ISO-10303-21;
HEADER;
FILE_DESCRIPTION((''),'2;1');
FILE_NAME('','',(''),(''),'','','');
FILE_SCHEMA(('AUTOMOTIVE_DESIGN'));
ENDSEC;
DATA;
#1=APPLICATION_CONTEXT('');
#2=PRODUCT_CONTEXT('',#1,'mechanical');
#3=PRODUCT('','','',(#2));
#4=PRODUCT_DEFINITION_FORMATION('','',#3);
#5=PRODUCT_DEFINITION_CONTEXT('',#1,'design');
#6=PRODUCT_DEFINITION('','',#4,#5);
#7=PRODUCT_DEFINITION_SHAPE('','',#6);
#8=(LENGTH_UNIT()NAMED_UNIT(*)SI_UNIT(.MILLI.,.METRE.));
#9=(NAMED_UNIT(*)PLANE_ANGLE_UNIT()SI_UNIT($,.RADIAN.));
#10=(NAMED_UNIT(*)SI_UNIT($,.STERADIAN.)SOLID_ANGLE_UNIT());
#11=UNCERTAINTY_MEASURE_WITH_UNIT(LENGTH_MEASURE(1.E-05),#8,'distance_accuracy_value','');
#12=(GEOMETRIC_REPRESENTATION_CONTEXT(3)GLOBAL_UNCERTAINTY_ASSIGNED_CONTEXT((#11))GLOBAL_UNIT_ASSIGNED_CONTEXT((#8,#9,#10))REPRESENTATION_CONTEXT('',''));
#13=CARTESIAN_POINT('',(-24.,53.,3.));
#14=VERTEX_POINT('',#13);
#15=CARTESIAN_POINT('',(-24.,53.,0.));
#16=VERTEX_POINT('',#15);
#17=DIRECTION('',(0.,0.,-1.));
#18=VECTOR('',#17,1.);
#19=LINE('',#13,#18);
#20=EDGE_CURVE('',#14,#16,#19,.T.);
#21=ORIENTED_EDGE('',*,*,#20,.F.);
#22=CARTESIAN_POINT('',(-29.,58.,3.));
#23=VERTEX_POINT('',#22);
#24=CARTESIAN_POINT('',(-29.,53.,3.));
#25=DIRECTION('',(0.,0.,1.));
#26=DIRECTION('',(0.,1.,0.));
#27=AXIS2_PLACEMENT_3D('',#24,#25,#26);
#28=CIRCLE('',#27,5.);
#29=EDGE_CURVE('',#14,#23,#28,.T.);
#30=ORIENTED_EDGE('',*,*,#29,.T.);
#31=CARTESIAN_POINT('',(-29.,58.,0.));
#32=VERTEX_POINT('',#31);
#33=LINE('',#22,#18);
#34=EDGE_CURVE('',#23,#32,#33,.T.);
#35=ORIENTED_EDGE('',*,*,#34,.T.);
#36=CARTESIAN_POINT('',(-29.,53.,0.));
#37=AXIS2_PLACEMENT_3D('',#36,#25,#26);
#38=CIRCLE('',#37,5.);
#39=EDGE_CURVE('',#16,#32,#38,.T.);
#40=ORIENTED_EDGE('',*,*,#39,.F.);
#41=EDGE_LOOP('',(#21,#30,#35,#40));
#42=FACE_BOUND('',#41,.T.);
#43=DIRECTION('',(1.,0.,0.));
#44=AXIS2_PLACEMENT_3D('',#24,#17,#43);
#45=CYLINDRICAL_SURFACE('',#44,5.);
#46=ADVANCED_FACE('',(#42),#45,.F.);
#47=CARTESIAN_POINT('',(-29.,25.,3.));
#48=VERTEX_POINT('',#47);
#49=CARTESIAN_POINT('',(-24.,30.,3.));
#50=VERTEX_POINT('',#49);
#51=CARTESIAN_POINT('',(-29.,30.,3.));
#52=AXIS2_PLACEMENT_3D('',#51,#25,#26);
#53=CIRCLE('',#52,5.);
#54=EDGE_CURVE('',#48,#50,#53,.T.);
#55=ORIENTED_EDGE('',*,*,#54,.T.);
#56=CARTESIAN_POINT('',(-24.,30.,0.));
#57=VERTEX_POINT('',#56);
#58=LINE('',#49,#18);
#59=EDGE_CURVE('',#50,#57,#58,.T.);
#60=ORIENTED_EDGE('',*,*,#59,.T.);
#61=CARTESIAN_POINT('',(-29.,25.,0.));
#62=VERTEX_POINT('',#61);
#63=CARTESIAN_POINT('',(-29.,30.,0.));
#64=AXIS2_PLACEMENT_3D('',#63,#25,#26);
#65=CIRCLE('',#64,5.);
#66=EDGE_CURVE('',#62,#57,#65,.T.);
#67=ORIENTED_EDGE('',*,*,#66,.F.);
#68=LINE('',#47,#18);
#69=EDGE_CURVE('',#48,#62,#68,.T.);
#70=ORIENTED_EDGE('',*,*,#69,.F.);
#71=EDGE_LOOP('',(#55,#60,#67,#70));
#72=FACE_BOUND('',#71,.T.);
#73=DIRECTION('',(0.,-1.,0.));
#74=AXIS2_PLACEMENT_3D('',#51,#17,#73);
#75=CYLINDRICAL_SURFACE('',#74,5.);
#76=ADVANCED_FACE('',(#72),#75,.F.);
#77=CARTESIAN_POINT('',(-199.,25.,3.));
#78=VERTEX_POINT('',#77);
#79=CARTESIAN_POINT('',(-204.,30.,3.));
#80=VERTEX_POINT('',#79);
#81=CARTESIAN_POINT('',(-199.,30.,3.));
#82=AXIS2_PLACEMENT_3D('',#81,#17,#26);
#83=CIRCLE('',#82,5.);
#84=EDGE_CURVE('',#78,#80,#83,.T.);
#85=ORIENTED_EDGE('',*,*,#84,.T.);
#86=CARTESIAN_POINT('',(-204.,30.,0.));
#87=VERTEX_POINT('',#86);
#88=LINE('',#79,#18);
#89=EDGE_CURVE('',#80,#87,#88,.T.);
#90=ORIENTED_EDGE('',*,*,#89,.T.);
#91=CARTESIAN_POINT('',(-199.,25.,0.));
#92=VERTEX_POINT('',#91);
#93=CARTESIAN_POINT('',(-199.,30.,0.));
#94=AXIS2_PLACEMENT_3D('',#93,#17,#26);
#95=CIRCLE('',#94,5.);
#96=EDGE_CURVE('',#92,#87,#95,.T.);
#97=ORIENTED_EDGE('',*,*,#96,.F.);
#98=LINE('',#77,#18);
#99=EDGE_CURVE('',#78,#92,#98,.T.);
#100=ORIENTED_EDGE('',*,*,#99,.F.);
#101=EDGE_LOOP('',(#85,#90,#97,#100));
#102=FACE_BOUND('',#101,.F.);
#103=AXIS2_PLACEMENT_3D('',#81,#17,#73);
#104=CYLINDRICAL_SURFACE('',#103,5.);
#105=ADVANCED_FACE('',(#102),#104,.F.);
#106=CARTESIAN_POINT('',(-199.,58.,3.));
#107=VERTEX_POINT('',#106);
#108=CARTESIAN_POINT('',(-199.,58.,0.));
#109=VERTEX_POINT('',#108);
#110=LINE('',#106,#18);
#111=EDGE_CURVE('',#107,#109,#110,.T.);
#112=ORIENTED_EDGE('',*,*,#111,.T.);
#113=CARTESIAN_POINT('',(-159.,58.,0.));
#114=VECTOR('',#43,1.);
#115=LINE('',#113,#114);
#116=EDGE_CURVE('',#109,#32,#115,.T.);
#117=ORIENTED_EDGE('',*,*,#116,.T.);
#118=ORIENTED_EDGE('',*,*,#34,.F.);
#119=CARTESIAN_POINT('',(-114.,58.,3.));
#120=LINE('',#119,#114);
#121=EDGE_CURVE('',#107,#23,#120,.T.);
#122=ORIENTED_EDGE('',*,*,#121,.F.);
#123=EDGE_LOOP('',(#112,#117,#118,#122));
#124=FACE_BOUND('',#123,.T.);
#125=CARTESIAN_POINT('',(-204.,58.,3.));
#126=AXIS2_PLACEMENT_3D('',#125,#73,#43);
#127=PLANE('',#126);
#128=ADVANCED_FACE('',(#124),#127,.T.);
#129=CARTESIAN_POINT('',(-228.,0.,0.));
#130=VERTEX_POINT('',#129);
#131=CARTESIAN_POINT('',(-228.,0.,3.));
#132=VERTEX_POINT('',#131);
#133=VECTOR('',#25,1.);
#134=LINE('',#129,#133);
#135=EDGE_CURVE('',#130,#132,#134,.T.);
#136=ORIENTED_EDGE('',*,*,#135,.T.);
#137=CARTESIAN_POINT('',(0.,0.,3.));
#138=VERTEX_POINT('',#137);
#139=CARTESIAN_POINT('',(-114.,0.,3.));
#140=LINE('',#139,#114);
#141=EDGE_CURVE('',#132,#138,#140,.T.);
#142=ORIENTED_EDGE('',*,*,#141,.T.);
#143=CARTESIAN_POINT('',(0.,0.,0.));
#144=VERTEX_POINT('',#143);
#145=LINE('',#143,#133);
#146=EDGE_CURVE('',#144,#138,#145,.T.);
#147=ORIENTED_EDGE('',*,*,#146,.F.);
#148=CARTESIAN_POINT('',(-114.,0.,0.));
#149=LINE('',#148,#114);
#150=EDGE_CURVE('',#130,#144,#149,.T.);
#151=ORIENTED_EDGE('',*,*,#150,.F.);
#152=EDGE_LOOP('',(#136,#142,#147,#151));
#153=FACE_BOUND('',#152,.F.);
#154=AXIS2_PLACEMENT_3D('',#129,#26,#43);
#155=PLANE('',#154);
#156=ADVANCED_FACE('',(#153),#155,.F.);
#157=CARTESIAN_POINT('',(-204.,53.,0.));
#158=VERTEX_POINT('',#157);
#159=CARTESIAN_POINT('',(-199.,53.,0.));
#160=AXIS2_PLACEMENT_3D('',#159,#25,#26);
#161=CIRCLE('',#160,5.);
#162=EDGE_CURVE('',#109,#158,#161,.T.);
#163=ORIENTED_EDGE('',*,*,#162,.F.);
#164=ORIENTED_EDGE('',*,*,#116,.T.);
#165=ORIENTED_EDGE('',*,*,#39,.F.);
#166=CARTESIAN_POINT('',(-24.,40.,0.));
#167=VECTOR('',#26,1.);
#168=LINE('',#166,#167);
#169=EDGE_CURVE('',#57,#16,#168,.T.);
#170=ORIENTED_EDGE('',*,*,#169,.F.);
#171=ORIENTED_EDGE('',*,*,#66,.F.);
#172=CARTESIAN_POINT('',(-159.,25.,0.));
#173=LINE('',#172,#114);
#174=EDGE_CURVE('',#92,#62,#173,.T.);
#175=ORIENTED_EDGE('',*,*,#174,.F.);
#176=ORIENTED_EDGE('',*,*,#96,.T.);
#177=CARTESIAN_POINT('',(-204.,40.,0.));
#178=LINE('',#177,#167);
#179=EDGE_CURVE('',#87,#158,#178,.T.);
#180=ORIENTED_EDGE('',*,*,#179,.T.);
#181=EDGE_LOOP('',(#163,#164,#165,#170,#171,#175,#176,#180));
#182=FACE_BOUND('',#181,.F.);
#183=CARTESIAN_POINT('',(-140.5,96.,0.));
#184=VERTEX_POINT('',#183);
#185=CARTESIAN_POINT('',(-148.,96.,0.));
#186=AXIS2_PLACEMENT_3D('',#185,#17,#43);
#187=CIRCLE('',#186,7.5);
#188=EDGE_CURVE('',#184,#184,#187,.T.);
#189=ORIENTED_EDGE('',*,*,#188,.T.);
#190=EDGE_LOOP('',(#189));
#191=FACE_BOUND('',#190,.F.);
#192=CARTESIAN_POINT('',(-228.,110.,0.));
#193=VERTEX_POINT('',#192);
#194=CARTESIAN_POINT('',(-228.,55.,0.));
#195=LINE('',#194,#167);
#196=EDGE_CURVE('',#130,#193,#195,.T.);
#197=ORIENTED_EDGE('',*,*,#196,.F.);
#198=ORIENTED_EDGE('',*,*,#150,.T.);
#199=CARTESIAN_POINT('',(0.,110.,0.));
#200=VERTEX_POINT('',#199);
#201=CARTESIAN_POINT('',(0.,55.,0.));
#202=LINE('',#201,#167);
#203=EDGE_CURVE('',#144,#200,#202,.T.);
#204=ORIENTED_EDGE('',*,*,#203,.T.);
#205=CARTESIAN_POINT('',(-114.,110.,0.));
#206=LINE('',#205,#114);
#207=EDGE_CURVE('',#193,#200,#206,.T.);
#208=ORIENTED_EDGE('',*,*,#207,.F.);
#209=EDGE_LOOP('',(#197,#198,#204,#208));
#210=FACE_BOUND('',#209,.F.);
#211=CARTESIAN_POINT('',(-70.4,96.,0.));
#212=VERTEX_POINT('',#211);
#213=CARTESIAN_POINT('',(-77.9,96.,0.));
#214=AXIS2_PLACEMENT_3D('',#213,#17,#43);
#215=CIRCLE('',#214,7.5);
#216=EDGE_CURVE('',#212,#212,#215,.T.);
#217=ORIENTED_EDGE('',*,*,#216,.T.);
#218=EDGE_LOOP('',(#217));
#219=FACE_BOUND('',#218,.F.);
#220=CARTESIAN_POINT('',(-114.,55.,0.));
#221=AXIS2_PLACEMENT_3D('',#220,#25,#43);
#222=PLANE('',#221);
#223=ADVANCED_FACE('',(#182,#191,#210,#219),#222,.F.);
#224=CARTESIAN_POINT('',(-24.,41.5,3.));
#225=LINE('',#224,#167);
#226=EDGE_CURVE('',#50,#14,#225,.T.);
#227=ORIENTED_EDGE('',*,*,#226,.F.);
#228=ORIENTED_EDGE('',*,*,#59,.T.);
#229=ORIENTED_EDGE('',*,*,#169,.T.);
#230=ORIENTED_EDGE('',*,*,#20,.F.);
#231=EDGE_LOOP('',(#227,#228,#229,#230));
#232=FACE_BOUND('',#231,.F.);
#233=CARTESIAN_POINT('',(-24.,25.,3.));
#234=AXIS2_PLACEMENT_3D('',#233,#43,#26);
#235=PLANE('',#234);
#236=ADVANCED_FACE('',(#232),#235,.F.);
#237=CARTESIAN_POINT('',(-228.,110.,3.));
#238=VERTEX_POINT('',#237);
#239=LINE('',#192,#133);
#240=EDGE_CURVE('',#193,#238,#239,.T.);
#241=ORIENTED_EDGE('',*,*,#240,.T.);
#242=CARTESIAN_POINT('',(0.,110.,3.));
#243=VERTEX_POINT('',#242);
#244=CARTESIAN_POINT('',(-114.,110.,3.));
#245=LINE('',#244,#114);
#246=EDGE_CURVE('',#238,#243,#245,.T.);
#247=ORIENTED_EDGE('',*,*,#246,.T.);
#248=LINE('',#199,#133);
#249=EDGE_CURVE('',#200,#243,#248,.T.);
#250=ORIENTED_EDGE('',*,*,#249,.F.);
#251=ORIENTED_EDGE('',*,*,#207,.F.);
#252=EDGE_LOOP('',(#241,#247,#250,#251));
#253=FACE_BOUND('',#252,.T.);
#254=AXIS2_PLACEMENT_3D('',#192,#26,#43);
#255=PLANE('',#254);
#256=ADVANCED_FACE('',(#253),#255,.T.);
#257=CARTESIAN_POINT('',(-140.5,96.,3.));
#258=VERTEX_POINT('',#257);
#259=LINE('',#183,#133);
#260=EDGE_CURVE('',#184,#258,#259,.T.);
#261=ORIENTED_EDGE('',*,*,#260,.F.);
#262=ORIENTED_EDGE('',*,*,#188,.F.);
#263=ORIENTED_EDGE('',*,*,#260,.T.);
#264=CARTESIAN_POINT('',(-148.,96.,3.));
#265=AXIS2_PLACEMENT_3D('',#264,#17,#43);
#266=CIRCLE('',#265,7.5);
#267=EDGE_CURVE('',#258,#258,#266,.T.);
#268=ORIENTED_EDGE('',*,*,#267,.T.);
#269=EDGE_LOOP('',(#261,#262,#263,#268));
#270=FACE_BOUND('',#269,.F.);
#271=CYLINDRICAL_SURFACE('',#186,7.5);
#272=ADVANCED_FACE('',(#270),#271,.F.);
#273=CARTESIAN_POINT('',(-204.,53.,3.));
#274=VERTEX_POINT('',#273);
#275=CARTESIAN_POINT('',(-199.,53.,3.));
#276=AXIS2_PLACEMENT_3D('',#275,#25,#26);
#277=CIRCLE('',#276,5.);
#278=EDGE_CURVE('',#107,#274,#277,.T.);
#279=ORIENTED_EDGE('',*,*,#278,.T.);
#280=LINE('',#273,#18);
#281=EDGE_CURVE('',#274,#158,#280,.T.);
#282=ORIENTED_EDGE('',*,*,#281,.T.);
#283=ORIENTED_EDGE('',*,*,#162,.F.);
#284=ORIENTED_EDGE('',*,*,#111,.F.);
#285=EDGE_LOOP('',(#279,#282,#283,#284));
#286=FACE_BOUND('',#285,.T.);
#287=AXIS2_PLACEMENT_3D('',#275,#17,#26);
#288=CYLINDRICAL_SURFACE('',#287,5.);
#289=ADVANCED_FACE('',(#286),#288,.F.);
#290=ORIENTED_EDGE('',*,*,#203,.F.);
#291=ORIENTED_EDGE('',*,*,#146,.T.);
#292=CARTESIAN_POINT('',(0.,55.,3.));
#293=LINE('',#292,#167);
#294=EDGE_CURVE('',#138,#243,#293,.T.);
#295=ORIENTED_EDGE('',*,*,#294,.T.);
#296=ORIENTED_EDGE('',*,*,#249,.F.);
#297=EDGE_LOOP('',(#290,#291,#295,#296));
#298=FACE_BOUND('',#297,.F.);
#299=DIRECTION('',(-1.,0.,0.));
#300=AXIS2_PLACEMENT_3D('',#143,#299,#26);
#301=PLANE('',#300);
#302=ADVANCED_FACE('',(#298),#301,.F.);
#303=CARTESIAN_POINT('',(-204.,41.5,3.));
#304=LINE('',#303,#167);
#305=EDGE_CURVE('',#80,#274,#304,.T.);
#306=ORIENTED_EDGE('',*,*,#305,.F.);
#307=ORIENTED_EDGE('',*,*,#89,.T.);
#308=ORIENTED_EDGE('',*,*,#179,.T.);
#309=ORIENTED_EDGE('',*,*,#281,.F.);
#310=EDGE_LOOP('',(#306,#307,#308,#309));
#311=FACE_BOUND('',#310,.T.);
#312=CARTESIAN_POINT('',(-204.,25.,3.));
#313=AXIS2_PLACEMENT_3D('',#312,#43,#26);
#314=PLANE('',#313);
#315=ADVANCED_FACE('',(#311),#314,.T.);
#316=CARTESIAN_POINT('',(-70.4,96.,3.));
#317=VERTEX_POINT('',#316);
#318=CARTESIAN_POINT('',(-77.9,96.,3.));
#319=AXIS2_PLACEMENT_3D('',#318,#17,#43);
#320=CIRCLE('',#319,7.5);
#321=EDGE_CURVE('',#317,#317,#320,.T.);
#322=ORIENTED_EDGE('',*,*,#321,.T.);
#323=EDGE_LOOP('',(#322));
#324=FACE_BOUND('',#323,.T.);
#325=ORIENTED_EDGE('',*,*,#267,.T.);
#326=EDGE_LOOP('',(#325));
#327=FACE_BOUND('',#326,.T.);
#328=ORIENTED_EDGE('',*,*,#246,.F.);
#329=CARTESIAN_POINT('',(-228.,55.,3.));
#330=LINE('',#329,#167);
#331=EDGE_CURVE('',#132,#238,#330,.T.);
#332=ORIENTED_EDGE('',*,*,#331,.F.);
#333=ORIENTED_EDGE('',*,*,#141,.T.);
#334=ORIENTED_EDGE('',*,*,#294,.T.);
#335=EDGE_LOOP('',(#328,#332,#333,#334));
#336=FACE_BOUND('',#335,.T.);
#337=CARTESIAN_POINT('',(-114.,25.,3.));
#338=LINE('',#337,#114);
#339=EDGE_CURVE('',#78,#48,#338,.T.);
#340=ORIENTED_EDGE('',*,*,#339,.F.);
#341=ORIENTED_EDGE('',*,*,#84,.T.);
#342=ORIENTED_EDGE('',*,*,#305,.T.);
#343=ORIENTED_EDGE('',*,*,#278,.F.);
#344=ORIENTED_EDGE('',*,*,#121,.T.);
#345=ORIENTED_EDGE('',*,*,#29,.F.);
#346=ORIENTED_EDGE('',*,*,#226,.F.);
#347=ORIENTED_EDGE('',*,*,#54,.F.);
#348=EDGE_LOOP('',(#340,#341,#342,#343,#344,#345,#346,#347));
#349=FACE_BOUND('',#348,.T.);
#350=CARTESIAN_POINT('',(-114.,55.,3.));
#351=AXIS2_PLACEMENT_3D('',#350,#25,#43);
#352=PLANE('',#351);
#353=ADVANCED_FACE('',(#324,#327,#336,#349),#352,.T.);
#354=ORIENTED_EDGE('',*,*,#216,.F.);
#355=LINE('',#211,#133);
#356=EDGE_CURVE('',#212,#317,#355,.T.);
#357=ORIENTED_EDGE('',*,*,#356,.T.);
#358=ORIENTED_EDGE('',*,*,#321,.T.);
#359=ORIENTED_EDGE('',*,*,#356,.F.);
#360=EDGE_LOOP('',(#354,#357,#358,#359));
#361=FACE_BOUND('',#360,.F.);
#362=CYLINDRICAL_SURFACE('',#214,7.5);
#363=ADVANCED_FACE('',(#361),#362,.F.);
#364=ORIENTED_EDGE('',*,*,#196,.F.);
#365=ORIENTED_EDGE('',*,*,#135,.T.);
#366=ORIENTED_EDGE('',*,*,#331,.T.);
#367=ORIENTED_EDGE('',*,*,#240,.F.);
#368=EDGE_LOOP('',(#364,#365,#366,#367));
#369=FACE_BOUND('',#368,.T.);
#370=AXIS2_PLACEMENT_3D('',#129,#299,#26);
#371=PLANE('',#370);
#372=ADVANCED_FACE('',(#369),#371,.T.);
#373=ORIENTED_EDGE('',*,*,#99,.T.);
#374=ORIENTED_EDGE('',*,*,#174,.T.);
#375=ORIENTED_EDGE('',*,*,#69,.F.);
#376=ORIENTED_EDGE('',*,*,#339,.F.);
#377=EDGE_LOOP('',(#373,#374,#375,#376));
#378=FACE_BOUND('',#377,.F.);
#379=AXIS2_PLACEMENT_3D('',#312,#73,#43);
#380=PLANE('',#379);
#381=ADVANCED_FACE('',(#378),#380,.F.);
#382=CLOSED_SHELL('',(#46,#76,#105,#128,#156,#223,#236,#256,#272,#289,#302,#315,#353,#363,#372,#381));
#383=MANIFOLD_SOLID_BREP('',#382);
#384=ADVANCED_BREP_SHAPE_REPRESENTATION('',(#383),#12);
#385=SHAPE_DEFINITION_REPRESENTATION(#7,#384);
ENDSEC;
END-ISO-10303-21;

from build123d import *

# Parameters (mm, degrees)
F0_W     = 228
F0_H     = 110
F1_DEPTH = 3
F2_W     = 180
F2_H     = 33
F3_DEPTH = 25
F4_R     = 5
F5_R     = 7.5
F6_DEPTH = 25


with BuildPart() as f1:
    # F0 (on Top) → F1 (new body)
    with BuildSketch(Plane.XY):
        with Locations((-114, 55)):
            Rectangle(F0_W, F0_H)
    extrude(amount=F1_DEPTH)

    # F2 (on face) → F3 (cut)
    with BuildSketch(Plane.XY.offset(3)):
        with Locations((-114, 41.5)):
            Rectangle(F2_W, F2_H)
    extrude(amount=-F3_DEPTH, mode=Mode.SUBTRACT)

    # F4
    f4_edges = [f1.edges().sort_by_distance(p)[0] for p in [
        (-24, 25, 1.5),
        (-24, 58, 1.5),
        (-204, 58, 1.5),
        (-204, 25, 1.5),
    ]]
    fillet(f4_edges, radius=F4_R)

    # F5 (on face) → F6 (cut)
    with BuildSketch(Plane(origin=(0, 0, 0), x_dir=(1, 0, 0), z_dir=(0, 0, -1))):
        with Locations((-148, -96)):
            Circle(F5_R)
        with Locations((-77.9, -96)):
            Circle(F5_R)
    extrude(amount=-F6_DEPTH, mode=Mode.SUBTRACT)


solid = f1.part
